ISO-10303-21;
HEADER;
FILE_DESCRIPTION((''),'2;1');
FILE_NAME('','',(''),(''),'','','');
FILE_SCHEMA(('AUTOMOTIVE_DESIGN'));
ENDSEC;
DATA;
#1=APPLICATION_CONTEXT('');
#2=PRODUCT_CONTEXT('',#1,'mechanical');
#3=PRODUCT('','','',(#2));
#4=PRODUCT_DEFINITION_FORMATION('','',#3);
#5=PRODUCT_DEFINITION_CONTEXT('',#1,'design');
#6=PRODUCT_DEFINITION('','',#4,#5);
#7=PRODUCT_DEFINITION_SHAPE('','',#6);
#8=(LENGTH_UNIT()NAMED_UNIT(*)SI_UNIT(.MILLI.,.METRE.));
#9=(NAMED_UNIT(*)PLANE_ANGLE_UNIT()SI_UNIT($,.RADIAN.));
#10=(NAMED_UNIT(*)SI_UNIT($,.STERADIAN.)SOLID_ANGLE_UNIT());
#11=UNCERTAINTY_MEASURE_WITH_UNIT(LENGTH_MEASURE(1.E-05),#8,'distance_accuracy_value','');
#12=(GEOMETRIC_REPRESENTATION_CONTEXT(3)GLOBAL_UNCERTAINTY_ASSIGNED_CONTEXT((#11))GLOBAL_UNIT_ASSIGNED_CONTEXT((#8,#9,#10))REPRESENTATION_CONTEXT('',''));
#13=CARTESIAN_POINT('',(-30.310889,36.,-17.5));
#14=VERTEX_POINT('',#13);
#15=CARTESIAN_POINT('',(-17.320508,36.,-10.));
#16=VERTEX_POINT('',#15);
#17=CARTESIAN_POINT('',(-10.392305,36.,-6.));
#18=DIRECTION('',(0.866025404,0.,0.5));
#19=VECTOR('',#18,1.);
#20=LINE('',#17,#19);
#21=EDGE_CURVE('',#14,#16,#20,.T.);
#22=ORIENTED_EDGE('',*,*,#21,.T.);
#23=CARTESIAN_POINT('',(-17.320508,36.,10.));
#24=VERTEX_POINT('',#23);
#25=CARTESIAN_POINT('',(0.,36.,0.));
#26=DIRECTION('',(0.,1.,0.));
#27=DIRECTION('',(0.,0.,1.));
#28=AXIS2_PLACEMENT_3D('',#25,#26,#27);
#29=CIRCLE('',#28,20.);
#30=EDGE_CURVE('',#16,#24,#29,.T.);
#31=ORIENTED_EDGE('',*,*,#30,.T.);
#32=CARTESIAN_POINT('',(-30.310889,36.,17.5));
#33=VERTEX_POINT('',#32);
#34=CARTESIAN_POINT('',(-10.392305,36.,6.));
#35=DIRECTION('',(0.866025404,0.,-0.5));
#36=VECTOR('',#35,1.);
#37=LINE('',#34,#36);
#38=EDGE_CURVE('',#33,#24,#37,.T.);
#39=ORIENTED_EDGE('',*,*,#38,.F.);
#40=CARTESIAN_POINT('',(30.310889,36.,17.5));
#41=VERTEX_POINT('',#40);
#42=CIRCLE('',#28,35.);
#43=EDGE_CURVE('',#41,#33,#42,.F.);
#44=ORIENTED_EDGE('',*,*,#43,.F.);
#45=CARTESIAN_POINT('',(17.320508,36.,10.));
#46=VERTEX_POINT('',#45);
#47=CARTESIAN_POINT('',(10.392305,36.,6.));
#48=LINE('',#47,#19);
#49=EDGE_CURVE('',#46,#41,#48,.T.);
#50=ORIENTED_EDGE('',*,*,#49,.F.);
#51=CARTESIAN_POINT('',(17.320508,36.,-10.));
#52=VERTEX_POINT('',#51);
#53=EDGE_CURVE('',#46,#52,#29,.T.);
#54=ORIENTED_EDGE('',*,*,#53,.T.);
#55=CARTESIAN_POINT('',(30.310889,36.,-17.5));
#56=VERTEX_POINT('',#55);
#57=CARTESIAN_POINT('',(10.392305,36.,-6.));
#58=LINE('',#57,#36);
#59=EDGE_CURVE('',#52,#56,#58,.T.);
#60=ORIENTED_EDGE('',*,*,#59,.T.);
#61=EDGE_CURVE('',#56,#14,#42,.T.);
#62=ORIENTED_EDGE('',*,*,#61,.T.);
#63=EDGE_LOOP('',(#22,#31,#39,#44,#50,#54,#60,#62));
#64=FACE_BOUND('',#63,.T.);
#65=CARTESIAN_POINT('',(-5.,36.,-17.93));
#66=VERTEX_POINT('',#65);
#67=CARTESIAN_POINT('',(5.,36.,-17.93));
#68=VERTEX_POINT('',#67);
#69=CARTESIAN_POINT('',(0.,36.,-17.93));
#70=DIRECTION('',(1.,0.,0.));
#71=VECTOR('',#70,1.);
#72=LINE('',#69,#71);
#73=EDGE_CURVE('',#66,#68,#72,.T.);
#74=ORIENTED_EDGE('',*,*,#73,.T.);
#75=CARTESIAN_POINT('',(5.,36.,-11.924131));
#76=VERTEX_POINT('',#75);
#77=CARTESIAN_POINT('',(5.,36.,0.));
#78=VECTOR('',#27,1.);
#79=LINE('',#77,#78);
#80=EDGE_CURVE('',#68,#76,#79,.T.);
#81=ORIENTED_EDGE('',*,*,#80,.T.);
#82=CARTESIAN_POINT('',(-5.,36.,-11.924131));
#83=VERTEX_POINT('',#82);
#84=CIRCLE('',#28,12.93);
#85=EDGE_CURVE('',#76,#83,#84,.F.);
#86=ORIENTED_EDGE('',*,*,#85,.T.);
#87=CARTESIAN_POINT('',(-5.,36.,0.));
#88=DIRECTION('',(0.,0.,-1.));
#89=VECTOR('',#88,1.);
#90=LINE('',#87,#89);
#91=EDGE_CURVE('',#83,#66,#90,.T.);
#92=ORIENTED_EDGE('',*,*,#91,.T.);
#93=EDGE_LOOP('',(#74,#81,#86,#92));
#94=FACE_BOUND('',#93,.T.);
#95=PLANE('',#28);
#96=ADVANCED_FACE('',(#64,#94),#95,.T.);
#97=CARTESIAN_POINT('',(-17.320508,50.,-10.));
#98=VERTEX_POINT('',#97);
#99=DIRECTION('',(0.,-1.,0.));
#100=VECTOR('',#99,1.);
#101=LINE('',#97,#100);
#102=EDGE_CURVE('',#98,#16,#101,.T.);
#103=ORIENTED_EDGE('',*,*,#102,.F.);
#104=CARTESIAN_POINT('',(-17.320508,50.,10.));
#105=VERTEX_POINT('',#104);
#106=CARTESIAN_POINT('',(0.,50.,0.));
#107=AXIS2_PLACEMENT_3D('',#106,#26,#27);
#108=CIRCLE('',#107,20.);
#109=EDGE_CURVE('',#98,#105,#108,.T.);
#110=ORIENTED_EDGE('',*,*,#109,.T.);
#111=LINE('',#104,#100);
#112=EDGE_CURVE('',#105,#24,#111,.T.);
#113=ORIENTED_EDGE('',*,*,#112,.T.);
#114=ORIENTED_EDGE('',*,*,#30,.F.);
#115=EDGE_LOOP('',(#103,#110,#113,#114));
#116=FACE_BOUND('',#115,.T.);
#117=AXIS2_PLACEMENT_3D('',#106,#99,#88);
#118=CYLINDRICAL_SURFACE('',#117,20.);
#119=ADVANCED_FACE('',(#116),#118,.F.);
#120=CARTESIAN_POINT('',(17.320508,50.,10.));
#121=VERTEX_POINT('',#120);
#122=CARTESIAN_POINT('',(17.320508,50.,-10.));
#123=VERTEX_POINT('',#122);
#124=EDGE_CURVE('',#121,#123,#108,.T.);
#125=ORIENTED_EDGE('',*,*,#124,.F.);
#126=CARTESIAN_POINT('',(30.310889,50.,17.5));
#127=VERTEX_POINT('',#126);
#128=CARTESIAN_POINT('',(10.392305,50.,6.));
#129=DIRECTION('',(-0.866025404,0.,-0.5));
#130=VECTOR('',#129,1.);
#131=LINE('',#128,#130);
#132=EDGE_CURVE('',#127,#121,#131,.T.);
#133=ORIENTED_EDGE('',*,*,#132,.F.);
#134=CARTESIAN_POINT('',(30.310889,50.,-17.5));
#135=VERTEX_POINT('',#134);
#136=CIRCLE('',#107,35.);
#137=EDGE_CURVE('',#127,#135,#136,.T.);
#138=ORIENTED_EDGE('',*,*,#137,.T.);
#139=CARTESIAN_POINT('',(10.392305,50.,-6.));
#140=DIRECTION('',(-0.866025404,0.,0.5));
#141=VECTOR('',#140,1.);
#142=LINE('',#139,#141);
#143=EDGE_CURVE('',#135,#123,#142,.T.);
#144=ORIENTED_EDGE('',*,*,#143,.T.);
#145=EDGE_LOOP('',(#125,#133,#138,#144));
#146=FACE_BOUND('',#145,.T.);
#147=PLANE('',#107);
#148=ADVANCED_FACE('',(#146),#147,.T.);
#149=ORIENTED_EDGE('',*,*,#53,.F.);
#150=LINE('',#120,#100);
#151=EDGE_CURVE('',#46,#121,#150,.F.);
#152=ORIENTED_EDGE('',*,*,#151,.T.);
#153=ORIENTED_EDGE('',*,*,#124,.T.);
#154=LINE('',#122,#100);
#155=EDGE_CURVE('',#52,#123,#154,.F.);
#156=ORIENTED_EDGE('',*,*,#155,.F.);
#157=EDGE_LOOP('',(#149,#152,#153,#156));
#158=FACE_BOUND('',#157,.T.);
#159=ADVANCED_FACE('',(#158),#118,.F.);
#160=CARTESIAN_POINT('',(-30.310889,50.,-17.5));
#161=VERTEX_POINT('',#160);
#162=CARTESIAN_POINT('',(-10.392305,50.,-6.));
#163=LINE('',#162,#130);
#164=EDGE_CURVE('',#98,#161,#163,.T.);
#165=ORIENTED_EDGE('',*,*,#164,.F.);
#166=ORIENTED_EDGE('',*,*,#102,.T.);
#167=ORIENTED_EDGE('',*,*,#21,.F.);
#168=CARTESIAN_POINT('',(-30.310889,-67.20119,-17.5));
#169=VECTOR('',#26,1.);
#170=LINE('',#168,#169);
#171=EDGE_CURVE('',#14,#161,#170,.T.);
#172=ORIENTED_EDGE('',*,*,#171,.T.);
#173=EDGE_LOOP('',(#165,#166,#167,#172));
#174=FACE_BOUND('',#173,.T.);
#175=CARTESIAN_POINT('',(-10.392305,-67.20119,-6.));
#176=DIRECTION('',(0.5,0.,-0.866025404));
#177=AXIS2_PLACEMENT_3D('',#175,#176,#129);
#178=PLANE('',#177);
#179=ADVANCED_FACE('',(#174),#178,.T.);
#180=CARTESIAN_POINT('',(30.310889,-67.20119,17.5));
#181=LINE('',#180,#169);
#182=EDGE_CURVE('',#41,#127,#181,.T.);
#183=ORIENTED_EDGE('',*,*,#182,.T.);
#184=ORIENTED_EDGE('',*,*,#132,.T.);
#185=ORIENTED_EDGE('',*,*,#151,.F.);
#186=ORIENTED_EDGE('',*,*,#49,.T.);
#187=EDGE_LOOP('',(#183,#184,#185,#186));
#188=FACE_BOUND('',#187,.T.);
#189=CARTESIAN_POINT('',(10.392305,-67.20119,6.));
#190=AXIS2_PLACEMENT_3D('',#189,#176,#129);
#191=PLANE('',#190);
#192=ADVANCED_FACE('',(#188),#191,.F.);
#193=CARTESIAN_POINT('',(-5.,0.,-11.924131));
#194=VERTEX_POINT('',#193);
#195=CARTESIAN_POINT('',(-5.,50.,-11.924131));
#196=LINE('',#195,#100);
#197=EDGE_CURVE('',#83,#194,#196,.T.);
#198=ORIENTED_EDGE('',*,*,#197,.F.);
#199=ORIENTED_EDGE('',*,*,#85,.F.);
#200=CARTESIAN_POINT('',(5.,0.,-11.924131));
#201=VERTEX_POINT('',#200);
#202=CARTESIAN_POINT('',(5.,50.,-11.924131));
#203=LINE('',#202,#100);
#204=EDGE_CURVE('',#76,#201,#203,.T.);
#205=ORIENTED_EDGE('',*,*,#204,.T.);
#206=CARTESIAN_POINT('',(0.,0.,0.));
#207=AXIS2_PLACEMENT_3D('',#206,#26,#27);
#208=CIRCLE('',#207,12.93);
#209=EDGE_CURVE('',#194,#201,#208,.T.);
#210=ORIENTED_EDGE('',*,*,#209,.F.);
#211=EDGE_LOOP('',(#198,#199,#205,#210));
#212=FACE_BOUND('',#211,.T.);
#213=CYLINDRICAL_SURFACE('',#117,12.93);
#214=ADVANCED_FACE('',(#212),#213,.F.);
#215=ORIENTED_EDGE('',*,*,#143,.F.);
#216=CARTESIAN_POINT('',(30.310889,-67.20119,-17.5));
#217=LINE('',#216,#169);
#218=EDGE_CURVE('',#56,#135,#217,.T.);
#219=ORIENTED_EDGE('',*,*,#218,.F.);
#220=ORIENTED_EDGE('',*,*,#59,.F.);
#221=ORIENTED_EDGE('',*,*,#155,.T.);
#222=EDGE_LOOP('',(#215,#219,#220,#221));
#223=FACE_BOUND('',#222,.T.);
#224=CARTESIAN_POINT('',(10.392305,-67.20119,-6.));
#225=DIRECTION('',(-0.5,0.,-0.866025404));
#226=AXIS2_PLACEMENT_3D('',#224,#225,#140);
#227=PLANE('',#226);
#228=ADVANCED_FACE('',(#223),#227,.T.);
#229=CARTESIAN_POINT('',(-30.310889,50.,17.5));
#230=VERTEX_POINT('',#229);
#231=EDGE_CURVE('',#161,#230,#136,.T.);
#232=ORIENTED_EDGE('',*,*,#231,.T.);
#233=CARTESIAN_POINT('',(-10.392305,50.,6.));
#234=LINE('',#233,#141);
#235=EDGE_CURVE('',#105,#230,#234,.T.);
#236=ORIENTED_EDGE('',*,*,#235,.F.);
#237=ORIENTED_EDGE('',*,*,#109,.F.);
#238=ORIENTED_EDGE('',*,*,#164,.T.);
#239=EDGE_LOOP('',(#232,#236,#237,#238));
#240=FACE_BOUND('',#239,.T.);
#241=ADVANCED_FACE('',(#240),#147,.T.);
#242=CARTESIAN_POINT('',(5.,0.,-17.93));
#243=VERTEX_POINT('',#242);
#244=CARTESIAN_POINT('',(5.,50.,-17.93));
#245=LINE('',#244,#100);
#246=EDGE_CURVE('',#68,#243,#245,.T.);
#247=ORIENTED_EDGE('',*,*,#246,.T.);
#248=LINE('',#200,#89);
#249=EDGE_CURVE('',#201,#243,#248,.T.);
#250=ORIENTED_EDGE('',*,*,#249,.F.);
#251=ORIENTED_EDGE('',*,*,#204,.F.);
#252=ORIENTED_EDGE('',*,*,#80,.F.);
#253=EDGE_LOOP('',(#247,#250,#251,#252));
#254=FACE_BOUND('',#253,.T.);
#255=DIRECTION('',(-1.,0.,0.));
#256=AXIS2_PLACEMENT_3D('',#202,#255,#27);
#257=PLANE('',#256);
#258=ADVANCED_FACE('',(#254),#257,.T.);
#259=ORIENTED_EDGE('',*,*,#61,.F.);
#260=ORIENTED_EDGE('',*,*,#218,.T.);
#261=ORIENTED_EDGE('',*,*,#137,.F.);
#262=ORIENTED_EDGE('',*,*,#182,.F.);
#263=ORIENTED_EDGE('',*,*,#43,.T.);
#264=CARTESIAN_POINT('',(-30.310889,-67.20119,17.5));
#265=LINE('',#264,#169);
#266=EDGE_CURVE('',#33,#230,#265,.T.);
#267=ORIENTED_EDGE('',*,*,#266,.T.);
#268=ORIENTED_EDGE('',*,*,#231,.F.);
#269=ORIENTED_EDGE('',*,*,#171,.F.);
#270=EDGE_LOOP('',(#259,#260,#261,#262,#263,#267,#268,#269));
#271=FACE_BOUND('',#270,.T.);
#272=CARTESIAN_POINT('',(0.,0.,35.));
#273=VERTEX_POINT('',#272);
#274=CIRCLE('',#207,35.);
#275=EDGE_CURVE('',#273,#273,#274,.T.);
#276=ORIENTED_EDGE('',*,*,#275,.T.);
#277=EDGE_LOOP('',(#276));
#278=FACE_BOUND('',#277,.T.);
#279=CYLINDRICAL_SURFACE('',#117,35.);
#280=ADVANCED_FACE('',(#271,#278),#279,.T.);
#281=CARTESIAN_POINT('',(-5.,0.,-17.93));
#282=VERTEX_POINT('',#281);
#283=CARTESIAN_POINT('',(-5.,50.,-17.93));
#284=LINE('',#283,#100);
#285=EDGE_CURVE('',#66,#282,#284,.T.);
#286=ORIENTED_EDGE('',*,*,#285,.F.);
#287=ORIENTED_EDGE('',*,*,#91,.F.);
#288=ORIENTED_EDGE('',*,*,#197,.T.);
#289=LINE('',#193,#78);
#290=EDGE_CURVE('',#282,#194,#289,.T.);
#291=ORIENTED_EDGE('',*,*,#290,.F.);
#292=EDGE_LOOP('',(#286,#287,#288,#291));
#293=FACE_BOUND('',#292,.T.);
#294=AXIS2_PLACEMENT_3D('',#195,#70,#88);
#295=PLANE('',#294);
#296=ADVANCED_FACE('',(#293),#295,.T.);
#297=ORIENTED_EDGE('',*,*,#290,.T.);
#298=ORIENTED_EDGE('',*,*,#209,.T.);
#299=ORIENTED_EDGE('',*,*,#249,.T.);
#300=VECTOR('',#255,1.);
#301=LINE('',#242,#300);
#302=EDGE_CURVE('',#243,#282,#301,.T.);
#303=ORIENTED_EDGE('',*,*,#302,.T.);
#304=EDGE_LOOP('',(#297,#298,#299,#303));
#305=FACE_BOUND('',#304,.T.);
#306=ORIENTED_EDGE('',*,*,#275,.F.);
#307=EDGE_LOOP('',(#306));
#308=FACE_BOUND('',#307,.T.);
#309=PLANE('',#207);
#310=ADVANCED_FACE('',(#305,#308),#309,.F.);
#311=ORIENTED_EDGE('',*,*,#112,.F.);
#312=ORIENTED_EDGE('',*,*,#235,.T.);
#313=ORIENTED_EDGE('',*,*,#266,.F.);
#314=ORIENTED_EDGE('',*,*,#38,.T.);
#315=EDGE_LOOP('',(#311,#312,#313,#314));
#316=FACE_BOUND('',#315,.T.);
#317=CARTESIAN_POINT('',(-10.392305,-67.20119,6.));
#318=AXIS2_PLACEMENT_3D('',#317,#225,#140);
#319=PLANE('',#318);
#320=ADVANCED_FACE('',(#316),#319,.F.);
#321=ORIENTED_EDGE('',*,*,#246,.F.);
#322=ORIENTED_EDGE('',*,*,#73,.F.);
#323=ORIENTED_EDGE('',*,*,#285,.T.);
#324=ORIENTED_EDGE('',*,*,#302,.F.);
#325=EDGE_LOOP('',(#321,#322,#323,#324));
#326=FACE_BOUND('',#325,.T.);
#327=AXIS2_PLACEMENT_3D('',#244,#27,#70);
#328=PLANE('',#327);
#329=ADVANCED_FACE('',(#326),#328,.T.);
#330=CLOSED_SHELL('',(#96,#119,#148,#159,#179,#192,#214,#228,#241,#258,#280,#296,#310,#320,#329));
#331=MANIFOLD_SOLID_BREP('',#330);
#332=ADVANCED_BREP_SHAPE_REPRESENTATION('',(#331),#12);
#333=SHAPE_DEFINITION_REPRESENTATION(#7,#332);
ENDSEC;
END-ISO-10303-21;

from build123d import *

# Parameters (mm, degrees)
SKETCH1_R           = 35
BOSS_EXTRUDE1_DEPTH = 50
CUT_EXTRUDE1_START  = -14
CUT_EXTRUDE1_DEPTH  = 14
CUT_EXTRUDE2_DEPTH  = 71.356236397
CUT_EXTRUDE8_START  = 36
SKETCH10_R          = 20
CUT_EXTRUDE8_DEPTH  = 35.356236397


with BuildPart() as part:
    # Sketch1 → Boss-Extrude1 (new body)
    with BuildSketch(Plane(origin=(0, 0, 0), x_dir=(1, 0, 0), z_dir=(0, 1, 0))):
        with Locations(Location((0, 0, 0), (0, 0, 270))):
            Circle(SKETCH1_R)
    extrude(amount=BOSS_EXTRUDE1_DEPTH)

    # Sketch2 → Cut-Extrude1 (cut)
    with BuildSketch(Plane(origin=(0, 50, 0), x_dir=(1, 0, 0), z_dir=(0, 1, 0)).offset(CUT_EXTRUDE1_START)):
        with BuildLine():
            Line((-10.392304845, -6), (-30.310889132, -17.5))
            ThreePointArc((-30.310889132, -17.5), (0, -35), (30.310889132, -17.5))
            Line((30.310889132, -17.5), (10.392304845, -6))
            ThreePointArc((10.392304845, -6), (0, -12), (-10.392304845, -6))
        make_face()
    cut_extrude1 = extrude(amount=CUT_EXTRUDE1_DEPTH, mode=Mode.SUBTRACT)

    # Mirror2: Cut-Extrude1 across plane
    add(cut_extrude1.mirror(Plane.XY), mode=Mode.SUBTRACT)

    # Sketch3 → Cut-Extrude2 (cut, through all)
    with BuildSketch(Plane(origin=(0, 0, 0), x_dir=(1, 0, 0), z_dir=(0, 1, 0))):
        with BuildLine():
            Line((5, 11.924130996), (5, 17.93))
            Line((5, 17.93), (-5, 17.93))
            Line((-5, 17.93), (-5, 11.924130996))
            ThreePointArc((-5, 11.924130996), (0, -12.93), (5, 11.924130996))
        make_face()
    extrude(amount=CUT_EXTRUDE2_DEPTH, mode=Mode.SUBTRACT)

    # Sketch10 → Cut-Extrude8 (cut, through all)
    with BuildSketch(Plane(origin=(0, 0, 0), x_dir=(1, 0, 0), z_dir=(0, 1, 0)).offset(CUT_EXTRUDE8_START)):
        Circle(SKETCH10_R)
    extrude(amount=CUT_EXTRUDE8_DEPTH, mode=Mode.SUBTRACT)


solid = part.part
